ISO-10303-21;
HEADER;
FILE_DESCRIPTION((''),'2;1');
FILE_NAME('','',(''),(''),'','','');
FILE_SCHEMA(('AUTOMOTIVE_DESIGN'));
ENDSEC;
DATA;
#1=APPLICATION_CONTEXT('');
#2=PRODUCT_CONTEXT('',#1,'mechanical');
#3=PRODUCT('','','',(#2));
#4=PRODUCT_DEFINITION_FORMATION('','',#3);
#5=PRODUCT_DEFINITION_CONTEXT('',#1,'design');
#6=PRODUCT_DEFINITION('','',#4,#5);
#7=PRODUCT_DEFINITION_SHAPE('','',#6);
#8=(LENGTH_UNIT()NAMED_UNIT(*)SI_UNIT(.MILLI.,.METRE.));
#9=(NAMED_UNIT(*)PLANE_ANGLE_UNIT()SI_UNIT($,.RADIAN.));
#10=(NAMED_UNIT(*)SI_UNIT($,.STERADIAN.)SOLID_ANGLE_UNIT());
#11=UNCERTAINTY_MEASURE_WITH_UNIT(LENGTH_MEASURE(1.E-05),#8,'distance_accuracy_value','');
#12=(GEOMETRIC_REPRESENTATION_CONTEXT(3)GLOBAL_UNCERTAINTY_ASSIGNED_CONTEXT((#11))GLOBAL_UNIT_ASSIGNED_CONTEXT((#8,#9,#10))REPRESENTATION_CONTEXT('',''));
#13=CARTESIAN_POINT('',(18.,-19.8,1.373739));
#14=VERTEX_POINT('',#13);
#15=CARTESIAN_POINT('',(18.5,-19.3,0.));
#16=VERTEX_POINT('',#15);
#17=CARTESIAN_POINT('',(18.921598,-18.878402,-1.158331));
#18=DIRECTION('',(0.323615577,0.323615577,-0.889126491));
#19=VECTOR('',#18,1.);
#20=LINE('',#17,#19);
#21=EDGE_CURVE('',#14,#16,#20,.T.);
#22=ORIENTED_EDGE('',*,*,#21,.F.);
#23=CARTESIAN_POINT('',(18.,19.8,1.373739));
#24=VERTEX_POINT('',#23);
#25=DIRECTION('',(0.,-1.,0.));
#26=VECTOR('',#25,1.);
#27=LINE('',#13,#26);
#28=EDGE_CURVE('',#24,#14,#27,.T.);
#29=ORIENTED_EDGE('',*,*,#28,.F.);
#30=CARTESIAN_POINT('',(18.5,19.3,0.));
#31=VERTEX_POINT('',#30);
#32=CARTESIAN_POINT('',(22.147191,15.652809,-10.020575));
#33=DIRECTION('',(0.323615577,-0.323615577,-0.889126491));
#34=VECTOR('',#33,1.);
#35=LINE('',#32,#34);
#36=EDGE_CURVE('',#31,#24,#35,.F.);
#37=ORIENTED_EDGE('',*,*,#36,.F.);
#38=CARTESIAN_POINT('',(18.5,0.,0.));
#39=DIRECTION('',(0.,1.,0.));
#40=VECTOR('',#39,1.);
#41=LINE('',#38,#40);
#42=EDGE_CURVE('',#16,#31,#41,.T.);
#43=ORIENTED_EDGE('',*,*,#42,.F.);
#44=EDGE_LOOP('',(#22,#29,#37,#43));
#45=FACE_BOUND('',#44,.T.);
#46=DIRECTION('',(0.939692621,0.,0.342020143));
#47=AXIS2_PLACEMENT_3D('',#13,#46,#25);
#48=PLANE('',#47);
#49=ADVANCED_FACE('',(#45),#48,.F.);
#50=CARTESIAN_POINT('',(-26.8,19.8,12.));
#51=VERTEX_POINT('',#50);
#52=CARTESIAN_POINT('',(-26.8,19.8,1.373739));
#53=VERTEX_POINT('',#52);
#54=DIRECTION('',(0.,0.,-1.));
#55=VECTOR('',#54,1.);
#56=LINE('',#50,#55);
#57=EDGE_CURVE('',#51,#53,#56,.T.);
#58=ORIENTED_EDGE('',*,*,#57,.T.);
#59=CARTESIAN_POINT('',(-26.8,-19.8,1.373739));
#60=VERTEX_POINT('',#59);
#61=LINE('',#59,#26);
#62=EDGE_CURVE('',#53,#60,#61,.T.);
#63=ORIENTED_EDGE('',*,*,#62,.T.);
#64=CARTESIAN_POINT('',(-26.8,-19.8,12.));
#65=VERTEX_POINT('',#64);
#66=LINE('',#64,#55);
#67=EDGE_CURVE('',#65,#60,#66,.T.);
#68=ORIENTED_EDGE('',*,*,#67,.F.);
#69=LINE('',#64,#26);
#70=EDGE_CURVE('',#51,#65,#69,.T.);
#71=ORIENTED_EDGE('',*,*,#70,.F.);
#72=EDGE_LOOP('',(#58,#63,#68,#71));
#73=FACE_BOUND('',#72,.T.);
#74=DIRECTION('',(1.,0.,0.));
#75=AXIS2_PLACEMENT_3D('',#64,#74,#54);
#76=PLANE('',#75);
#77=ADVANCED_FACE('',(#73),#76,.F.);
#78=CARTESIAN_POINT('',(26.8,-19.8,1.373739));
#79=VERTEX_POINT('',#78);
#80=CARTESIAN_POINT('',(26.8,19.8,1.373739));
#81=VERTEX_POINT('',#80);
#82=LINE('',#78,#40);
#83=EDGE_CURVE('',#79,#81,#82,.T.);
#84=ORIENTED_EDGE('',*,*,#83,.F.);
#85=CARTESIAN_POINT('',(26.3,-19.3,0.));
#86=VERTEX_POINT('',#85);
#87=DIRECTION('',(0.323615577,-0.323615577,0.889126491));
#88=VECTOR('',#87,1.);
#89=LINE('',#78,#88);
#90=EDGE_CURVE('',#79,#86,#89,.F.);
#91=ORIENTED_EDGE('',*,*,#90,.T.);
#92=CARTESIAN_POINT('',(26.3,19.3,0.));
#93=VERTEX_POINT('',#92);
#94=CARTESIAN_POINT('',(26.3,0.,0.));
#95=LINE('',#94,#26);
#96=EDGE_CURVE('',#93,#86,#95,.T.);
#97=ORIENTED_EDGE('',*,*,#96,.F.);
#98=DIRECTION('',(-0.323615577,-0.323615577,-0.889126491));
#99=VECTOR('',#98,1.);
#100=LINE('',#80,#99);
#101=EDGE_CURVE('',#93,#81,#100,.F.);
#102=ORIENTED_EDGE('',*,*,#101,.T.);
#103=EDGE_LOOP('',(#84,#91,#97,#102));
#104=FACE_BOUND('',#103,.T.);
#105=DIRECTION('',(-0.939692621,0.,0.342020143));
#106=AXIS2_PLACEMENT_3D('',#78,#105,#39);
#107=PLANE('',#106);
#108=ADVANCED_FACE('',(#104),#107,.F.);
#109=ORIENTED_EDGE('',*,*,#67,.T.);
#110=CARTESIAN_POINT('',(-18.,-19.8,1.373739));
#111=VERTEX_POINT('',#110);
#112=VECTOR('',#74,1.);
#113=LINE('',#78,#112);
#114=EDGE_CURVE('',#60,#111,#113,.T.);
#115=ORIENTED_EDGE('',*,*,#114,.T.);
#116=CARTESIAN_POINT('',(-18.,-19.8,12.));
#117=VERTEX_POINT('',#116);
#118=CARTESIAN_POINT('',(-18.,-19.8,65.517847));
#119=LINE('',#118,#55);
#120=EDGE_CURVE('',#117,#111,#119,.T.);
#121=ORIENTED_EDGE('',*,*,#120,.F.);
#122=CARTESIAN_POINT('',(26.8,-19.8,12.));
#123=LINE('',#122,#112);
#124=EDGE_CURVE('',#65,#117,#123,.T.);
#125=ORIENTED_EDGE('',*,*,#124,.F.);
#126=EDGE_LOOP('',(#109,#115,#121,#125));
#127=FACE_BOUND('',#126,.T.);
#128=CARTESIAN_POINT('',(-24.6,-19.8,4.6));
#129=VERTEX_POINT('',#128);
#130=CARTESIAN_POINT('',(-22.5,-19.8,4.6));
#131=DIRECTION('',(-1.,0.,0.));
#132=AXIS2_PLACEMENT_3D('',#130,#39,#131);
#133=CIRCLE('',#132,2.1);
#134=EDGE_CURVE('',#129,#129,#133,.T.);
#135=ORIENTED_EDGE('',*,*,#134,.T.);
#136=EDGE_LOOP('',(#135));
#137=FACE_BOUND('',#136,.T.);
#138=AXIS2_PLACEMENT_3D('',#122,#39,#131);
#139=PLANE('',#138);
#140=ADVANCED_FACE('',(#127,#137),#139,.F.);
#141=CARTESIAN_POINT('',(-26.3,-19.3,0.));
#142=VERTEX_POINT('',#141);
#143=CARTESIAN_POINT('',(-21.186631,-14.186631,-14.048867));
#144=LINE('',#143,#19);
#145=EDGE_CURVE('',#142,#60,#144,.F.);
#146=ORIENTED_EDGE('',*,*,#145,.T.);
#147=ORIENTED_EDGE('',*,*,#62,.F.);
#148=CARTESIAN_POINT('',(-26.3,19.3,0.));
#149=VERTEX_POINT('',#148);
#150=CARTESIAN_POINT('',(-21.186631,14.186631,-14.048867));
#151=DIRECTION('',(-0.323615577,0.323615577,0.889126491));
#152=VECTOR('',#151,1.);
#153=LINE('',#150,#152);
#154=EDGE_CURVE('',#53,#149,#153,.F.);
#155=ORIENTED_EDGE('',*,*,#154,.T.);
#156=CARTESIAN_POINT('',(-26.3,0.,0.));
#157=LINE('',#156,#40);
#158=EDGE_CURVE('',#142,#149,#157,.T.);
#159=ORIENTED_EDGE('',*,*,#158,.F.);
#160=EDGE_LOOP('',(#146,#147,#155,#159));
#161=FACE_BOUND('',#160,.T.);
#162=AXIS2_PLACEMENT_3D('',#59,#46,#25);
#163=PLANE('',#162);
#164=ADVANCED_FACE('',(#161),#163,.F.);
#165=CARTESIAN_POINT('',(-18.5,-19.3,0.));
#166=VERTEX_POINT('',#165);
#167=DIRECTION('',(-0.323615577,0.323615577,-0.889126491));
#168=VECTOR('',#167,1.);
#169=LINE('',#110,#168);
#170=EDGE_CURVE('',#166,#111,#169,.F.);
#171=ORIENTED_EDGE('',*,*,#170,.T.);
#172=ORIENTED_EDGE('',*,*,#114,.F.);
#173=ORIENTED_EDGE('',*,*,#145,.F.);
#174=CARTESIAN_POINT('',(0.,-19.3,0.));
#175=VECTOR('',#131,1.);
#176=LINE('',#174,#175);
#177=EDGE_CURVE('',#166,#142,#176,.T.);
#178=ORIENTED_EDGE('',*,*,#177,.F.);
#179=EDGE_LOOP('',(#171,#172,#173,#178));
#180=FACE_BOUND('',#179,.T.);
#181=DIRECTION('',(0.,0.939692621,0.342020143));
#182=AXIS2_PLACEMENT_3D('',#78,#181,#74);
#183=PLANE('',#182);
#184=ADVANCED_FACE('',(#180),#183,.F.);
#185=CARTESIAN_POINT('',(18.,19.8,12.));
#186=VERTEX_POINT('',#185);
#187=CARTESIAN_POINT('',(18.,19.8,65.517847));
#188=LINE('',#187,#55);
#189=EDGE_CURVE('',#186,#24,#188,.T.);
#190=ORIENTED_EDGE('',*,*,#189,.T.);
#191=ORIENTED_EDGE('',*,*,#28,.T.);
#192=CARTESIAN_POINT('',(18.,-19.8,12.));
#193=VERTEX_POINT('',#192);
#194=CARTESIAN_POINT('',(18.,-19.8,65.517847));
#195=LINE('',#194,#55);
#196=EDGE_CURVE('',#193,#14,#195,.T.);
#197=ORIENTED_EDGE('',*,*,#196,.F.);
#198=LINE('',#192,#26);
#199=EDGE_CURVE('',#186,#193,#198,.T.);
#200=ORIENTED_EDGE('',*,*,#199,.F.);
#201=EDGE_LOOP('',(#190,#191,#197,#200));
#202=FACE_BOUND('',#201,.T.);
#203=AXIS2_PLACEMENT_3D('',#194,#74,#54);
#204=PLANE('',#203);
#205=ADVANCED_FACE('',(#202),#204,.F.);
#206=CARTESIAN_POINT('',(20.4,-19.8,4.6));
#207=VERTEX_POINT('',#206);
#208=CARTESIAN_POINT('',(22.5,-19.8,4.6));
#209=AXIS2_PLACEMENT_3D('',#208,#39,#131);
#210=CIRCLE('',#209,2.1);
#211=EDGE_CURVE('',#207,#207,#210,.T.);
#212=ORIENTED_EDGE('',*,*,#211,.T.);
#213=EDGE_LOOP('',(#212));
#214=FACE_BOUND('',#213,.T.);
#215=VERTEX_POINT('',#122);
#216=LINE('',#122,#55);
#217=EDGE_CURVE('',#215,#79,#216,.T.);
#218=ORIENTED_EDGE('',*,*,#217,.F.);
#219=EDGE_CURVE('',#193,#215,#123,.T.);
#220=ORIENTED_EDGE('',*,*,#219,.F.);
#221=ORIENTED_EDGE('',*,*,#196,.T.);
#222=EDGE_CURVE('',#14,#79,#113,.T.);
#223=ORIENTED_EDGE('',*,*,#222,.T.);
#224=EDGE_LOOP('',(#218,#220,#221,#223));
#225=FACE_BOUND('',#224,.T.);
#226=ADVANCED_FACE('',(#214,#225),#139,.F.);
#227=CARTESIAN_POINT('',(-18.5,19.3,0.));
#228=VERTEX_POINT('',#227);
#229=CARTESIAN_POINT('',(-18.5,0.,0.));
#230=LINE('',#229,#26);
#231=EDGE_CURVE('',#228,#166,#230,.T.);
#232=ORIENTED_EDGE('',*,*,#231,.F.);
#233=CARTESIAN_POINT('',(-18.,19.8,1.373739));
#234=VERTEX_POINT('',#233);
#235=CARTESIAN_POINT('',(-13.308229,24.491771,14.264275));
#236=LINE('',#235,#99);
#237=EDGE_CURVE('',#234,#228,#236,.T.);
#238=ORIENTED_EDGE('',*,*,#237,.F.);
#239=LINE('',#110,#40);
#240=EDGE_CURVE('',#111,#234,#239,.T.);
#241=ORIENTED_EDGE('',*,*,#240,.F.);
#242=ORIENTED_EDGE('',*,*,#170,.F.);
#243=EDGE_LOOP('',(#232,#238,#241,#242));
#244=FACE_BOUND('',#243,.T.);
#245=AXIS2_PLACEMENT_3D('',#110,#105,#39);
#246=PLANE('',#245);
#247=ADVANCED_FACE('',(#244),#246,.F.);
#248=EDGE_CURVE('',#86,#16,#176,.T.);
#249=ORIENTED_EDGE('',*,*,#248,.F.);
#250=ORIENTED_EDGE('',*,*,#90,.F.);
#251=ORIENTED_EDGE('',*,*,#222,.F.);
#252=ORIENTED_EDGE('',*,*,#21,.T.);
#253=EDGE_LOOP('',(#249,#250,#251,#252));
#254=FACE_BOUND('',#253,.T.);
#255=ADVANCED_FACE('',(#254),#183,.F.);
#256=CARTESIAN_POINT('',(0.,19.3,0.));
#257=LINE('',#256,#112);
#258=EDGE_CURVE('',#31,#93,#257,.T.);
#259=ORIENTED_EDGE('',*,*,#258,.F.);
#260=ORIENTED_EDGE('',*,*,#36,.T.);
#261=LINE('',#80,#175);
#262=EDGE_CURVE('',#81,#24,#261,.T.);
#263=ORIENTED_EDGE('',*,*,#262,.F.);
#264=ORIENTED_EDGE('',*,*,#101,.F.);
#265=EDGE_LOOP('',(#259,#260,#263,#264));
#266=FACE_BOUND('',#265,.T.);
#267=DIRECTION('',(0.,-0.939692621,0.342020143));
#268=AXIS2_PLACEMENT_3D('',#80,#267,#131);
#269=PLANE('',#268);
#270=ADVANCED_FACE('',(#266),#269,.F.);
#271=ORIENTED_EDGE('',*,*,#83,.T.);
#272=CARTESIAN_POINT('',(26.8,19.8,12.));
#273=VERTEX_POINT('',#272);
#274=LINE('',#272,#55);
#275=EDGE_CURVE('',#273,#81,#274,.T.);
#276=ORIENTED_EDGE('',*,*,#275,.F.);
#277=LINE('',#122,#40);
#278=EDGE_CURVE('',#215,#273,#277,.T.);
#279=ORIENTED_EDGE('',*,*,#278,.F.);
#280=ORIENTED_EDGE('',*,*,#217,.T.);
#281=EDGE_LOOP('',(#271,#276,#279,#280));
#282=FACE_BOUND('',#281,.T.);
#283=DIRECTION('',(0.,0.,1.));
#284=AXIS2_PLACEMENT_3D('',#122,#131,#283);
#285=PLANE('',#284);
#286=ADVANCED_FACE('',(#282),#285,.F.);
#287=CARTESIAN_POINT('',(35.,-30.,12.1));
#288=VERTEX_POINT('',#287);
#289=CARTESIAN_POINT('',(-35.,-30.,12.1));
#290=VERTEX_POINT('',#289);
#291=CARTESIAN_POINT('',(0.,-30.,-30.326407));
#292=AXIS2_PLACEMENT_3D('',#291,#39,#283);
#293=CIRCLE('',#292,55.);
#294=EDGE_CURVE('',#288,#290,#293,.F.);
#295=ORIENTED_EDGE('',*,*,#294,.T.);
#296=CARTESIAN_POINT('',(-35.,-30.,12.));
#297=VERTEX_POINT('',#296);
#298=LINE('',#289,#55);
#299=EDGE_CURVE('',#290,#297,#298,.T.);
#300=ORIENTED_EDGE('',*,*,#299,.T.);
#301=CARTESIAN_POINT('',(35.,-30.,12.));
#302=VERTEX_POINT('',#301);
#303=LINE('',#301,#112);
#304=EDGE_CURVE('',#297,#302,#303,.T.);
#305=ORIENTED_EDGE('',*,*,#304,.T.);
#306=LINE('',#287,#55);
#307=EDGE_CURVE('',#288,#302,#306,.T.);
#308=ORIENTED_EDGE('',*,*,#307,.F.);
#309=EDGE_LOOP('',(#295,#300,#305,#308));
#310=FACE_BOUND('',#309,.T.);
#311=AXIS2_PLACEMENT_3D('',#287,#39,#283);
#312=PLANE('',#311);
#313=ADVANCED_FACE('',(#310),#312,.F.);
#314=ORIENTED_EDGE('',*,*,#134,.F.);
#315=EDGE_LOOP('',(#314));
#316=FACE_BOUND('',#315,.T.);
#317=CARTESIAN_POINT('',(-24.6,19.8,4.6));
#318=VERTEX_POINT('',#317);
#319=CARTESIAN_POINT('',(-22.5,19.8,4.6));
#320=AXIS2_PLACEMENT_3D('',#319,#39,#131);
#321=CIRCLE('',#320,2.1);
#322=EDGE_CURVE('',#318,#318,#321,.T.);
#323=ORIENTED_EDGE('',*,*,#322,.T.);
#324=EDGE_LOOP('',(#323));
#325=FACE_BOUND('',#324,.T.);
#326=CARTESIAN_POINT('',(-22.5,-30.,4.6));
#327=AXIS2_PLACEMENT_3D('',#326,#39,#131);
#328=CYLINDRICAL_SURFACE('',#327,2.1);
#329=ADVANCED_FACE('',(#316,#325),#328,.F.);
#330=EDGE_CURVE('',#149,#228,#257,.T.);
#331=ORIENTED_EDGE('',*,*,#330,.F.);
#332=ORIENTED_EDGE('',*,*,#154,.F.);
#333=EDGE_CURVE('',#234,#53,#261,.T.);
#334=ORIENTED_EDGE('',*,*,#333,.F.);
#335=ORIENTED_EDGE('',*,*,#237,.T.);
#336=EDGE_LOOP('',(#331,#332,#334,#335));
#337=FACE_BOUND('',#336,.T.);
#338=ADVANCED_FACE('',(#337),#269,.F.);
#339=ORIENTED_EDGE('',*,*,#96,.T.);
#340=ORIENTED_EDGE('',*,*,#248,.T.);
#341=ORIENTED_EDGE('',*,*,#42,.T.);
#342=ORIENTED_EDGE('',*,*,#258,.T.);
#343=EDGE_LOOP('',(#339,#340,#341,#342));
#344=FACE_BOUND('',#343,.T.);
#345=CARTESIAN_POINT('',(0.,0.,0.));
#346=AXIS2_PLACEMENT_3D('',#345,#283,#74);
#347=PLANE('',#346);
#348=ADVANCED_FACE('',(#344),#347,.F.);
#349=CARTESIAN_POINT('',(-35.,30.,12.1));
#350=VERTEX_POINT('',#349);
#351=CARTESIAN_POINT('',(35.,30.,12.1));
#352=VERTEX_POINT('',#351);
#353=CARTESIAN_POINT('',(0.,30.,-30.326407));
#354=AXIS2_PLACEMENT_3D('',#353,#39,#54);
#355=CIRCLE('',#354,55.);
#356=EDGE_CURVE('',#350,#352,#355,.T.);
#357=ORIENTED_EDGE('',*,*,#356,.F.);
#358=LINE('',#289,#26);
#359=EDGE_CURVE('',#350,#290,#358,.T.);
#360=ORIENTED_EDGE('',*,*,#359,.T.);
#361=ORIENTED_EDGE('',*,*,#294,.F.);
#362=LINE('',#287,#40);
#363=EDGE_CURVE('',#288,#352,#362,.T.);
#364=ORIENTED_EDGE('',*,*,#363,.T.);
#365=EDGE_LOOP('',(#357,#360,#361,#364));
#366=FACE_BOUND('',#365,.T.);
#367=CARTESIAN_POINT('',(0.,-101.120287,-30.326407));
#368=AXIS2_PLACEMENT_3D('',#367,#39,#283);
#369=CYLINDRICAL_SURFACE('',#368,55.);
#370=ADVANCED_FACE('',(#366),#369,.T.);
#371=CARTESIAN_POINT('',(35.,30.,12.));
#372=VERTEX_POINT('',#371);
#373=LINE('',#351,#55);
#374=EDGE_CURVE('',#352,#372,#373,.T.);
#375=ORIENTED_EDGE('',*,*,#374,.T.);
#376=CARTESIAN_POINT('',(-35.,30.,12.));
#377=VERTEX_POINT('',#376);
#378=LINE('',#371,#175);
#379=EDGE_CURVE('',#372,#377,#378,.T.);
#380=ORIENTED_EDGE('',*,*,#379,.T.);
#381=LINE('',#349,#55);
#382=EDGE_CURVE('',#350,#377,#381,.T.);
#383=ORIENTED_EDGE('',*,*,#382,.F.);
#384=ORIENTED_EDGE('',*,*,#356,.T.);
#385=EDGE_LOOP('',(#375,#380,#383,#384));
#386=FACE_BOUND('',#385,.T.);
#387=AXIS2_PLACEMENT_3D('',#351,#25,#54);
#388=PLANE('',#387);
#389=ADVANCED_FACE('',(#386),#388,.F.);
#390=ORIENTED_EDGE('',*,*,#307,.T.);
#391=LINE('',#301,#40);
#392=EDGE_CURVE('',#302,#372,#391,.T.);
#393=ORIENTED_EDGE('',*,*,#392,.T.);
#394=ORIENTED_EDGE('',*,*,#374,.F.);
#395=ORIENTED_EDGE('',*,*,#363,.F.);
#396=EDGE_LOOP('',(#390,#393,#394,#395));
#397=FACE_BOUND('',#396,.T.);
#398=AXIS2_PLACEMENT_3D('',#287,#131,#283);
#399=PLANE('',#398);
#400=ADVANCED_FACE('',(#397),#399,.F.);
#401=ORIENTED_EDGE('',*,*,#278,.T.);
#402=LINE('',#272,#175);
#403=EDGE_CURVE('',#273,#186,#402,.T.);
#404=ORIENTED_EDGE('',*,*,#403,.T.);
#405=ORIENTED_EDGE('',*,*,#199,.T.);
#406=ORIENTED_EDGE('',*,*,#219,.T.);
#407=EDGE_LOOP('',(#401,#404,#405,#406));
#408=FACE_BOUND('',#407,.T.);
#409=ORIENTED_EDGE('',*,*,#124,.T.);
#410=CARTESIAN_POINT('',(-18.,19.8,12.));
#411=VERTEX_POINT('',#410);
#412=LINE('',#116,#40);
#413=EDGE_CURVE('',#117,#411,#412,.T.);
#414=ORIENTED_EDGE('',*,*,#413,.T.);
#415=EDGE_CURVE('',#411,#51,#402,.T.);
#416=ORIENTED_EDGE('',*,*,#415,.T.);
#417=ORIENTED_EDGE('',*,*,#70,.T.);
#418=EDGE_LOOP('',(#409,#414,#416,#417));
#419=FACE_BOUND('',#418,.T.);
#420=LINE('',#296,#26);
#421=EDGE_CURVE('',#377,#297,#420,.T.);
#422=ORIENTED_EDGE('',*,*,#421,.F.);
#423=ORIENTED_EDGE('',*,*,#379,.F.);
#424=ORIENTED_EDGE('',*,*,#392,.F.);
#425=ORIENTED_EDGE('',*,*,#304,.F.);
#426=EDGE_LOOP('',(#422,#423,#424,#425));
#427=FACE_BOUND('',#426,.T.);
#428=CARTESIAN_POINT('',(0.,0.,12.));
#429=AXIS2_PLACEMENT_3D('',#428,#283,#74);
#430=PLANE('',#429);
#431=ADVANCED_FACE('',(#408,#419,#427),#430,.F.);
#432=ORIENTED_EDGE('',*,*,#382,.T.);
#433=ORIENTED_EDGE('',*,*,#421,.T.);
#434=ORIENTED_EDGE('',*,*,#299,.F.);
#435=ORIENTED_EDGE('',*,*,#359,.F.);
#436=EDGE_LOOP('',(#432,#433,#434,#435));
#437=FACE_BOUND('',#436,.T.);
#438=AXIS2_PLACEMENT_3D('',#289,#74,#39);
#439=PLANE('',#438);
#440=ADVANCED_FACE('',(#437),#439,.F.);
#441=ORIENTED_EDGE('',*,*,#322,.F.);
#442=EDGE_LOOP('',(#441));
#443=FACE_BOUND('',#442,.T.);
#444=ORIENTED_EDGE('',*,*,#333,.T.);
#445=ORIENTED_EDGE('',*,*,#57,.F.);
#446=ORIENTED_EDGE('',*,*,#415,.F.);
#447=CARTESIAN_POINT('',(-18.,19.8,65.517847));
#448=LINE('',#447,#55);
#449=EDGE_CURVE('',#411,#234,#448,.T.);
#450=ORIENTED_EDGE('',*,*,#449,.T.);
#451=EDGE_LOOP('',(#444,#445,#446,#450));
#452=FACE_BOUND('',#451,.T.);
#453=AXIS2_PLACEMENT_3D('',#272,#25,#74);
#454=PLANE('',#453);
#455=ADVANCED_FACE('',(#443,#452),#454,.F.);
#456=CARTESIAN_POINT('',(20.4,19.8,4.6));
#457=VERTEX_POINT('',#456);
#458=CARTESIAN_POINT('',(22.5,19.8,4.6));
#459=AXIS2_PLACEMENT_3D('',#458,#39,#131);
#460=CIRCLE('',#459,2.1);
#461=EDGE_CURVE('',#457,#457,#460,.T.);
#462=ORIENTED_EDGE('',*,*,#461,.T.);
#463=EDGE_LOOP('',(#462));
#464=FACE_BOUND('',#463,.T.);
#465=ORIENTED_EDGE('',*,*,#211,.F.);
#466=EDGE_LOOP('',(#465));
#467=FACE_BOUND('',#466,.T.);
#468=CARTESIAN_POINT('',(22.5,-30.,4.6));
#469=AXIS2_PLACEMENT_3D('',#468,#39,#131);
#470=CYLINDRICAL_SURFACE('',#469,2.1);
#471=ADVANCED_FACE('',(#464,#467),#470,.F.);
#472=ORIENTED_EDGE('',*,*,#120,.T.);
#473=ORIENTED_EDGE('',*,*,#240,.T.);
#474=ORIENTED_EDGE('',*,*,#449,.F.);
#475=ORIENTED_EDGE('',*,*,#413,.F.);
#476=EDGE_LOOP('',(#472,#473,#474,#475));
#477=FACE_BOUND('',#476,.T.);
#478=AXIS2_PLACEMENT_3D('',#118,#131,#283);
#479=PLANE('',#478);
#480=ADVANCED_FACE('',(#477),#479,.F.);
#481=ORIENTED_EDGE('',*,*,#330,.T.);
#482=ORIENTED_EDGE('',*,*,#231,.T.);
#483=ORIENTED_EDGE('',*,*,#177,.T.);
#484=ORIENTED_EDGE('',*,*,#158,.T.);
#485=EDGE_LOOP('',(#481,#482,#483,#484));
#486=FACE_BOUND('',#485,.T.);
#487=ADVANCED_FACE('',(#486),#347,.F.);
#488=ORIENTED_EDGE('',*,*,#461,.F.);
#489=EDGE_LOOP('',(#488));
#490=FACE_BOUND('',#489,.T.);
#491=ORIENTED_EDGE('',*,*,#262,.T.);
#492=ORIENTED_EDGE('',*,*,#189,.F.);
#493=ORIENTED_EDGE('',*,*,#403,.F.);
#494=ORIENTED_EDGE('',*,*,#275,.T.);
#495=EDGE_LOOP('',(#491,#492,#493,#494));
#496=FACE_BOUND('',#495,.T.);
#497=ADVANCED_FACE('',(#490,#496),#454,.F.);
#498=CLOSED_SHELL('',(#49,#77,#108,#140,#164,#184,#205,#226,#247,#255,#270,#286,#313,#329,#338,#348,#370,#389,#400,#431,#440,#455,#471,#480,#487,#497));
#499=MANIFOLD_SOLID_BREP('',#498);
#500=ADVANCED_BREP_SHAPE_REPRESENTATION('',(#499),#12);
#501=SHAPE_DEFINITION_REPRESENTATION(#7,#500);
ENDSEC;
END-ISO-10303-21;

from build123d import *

# Parameters (mm, degrees)
SKETCH2_W             = 53.6
SKETCH2_H             = 39.6
BOSS_EXTRUDE1_DEPTH   = 12
SKETCH3_W             = 70
SKETCH3_H             = 60
BOSS_EXTRUDE2_DEPTH   = 0.1
SKETCH4_R             = 2.1
CUT_EXTRUDE1_DEPTH    = 50.8
SKETCH5_W             = 36
SKETCH5_H             = 39.6
CUT_EXTRUDE2_DEPTH    = 12
CHAMFER1_SIZE         = 0.5
CHAMFER1_SIZE2        = 1.37373871
CHAMFER1_PART_2_SIZE  = 0.5
CHAMFER1_PART_2_SIZE2 = 1.37373871
BOSS_EXTRUDE3_DEPTH   = 60


with BuildPart() as part:
    # Sketch2 → Boss-Extrude1 (new body)
    with BuildSketch(Plane.XY):
        Rectangle(SKETCH2_W, SKETCH2_H)
    extrude(amount=BOSS_EXTRUDE1_DEPTH)

    # Sketch3 → Boss-Extrude2 (add)
    with BuildSketch(Plane.XY.offset(12)):
        Rectangle(SKETCH3_W, SKETCH3_H)
    extrude(amount=BOSS_EXTRUDE2_DEPTH)

    # Sketch4 → Cut-Extrude1 (cut, through all)
    with BuildSketch(Plane(origin=(0, 19.8, 0), x_dir=(1, 0, 0), z_dir=(0, 1, 0))):
        with Locations((22.5, -4.6)):
            Circle(SKETCH4_R)
        with Locations((-22.5, -4.6)):
            Circle(SKETCH4_R)
    extrude(amount=-CUT_EXTRUDE1_DEPTH, mode=Mode.SUBTRACT)

    # Sketch5 → Cut-Extrude2 (cut)
    with BuildSketch(Plane(origin=(0, 0, 0), x_dir=(-1, 0, 0), z_dir=(0, 0, -1))):
        Rectangle(SKETCH5_W, SKETCH5_H)
    extrude(amount=-CUT_EXTRUDE2_DEPTH, mode=Mode.SUBTRACT)

    # Chamfer1
    chamfer1_edges = [part.edges().sort_by_distance(p)[0] for p in [
        (-22.4, 19.8, 0),
        (-18, 0, 0),
        (-22.4, -19.8, 0),
        (-26.8, 0, 0),
    ]]
    chamfer1_side = [part.faces().sort_by_distance(p)[0] for p in [
        (-22.4, 0, 0),
    ]]
    chamfer(chamfer1_edges, length=CHAMFER1_SIZE, length2=CHAMFER1_SIZE2, reference=chamfer1_side[0])

    # Chamfer1 part 2
    chamfer1_part_2_edges = [part.edges().sort_by_distance(p)[0] for p in [
        (22.4, -19.8, 0),
        (18, 0, 0),
        (22.4, 19.8, 0),
        (26.8, 0, 0),
    ]]
    chamfer1_part_2_side = [part.faces().sort_by_distance(p)[0] for p in [
        (22.4, 0, 0),
    ]]
    chamfer(chamfer1_part_2_edges, length=CHAMFER1_PART_2_SIZE, length2=CHAMFER1_PART_2_SIZE2, reference=chamfer1_part_2_side[0])

    # Sketch6 → Boss-Extrude3 (add)
    with BuildSketch(Plane(origin=(0, 30, 0), x_dir=(1, 0, 0), z_dir=(0, 1, 0))):
        with BuildLine():
            Line((35, -12.1), (-35, -12.1))
            ThreePointArc((-35, -12.1), (0, -24.673593129), (35, -12.1))
        make_face()
    extrude(amount=-BOSS_EXTRUDE3_DEPTH)


solid = part.part
